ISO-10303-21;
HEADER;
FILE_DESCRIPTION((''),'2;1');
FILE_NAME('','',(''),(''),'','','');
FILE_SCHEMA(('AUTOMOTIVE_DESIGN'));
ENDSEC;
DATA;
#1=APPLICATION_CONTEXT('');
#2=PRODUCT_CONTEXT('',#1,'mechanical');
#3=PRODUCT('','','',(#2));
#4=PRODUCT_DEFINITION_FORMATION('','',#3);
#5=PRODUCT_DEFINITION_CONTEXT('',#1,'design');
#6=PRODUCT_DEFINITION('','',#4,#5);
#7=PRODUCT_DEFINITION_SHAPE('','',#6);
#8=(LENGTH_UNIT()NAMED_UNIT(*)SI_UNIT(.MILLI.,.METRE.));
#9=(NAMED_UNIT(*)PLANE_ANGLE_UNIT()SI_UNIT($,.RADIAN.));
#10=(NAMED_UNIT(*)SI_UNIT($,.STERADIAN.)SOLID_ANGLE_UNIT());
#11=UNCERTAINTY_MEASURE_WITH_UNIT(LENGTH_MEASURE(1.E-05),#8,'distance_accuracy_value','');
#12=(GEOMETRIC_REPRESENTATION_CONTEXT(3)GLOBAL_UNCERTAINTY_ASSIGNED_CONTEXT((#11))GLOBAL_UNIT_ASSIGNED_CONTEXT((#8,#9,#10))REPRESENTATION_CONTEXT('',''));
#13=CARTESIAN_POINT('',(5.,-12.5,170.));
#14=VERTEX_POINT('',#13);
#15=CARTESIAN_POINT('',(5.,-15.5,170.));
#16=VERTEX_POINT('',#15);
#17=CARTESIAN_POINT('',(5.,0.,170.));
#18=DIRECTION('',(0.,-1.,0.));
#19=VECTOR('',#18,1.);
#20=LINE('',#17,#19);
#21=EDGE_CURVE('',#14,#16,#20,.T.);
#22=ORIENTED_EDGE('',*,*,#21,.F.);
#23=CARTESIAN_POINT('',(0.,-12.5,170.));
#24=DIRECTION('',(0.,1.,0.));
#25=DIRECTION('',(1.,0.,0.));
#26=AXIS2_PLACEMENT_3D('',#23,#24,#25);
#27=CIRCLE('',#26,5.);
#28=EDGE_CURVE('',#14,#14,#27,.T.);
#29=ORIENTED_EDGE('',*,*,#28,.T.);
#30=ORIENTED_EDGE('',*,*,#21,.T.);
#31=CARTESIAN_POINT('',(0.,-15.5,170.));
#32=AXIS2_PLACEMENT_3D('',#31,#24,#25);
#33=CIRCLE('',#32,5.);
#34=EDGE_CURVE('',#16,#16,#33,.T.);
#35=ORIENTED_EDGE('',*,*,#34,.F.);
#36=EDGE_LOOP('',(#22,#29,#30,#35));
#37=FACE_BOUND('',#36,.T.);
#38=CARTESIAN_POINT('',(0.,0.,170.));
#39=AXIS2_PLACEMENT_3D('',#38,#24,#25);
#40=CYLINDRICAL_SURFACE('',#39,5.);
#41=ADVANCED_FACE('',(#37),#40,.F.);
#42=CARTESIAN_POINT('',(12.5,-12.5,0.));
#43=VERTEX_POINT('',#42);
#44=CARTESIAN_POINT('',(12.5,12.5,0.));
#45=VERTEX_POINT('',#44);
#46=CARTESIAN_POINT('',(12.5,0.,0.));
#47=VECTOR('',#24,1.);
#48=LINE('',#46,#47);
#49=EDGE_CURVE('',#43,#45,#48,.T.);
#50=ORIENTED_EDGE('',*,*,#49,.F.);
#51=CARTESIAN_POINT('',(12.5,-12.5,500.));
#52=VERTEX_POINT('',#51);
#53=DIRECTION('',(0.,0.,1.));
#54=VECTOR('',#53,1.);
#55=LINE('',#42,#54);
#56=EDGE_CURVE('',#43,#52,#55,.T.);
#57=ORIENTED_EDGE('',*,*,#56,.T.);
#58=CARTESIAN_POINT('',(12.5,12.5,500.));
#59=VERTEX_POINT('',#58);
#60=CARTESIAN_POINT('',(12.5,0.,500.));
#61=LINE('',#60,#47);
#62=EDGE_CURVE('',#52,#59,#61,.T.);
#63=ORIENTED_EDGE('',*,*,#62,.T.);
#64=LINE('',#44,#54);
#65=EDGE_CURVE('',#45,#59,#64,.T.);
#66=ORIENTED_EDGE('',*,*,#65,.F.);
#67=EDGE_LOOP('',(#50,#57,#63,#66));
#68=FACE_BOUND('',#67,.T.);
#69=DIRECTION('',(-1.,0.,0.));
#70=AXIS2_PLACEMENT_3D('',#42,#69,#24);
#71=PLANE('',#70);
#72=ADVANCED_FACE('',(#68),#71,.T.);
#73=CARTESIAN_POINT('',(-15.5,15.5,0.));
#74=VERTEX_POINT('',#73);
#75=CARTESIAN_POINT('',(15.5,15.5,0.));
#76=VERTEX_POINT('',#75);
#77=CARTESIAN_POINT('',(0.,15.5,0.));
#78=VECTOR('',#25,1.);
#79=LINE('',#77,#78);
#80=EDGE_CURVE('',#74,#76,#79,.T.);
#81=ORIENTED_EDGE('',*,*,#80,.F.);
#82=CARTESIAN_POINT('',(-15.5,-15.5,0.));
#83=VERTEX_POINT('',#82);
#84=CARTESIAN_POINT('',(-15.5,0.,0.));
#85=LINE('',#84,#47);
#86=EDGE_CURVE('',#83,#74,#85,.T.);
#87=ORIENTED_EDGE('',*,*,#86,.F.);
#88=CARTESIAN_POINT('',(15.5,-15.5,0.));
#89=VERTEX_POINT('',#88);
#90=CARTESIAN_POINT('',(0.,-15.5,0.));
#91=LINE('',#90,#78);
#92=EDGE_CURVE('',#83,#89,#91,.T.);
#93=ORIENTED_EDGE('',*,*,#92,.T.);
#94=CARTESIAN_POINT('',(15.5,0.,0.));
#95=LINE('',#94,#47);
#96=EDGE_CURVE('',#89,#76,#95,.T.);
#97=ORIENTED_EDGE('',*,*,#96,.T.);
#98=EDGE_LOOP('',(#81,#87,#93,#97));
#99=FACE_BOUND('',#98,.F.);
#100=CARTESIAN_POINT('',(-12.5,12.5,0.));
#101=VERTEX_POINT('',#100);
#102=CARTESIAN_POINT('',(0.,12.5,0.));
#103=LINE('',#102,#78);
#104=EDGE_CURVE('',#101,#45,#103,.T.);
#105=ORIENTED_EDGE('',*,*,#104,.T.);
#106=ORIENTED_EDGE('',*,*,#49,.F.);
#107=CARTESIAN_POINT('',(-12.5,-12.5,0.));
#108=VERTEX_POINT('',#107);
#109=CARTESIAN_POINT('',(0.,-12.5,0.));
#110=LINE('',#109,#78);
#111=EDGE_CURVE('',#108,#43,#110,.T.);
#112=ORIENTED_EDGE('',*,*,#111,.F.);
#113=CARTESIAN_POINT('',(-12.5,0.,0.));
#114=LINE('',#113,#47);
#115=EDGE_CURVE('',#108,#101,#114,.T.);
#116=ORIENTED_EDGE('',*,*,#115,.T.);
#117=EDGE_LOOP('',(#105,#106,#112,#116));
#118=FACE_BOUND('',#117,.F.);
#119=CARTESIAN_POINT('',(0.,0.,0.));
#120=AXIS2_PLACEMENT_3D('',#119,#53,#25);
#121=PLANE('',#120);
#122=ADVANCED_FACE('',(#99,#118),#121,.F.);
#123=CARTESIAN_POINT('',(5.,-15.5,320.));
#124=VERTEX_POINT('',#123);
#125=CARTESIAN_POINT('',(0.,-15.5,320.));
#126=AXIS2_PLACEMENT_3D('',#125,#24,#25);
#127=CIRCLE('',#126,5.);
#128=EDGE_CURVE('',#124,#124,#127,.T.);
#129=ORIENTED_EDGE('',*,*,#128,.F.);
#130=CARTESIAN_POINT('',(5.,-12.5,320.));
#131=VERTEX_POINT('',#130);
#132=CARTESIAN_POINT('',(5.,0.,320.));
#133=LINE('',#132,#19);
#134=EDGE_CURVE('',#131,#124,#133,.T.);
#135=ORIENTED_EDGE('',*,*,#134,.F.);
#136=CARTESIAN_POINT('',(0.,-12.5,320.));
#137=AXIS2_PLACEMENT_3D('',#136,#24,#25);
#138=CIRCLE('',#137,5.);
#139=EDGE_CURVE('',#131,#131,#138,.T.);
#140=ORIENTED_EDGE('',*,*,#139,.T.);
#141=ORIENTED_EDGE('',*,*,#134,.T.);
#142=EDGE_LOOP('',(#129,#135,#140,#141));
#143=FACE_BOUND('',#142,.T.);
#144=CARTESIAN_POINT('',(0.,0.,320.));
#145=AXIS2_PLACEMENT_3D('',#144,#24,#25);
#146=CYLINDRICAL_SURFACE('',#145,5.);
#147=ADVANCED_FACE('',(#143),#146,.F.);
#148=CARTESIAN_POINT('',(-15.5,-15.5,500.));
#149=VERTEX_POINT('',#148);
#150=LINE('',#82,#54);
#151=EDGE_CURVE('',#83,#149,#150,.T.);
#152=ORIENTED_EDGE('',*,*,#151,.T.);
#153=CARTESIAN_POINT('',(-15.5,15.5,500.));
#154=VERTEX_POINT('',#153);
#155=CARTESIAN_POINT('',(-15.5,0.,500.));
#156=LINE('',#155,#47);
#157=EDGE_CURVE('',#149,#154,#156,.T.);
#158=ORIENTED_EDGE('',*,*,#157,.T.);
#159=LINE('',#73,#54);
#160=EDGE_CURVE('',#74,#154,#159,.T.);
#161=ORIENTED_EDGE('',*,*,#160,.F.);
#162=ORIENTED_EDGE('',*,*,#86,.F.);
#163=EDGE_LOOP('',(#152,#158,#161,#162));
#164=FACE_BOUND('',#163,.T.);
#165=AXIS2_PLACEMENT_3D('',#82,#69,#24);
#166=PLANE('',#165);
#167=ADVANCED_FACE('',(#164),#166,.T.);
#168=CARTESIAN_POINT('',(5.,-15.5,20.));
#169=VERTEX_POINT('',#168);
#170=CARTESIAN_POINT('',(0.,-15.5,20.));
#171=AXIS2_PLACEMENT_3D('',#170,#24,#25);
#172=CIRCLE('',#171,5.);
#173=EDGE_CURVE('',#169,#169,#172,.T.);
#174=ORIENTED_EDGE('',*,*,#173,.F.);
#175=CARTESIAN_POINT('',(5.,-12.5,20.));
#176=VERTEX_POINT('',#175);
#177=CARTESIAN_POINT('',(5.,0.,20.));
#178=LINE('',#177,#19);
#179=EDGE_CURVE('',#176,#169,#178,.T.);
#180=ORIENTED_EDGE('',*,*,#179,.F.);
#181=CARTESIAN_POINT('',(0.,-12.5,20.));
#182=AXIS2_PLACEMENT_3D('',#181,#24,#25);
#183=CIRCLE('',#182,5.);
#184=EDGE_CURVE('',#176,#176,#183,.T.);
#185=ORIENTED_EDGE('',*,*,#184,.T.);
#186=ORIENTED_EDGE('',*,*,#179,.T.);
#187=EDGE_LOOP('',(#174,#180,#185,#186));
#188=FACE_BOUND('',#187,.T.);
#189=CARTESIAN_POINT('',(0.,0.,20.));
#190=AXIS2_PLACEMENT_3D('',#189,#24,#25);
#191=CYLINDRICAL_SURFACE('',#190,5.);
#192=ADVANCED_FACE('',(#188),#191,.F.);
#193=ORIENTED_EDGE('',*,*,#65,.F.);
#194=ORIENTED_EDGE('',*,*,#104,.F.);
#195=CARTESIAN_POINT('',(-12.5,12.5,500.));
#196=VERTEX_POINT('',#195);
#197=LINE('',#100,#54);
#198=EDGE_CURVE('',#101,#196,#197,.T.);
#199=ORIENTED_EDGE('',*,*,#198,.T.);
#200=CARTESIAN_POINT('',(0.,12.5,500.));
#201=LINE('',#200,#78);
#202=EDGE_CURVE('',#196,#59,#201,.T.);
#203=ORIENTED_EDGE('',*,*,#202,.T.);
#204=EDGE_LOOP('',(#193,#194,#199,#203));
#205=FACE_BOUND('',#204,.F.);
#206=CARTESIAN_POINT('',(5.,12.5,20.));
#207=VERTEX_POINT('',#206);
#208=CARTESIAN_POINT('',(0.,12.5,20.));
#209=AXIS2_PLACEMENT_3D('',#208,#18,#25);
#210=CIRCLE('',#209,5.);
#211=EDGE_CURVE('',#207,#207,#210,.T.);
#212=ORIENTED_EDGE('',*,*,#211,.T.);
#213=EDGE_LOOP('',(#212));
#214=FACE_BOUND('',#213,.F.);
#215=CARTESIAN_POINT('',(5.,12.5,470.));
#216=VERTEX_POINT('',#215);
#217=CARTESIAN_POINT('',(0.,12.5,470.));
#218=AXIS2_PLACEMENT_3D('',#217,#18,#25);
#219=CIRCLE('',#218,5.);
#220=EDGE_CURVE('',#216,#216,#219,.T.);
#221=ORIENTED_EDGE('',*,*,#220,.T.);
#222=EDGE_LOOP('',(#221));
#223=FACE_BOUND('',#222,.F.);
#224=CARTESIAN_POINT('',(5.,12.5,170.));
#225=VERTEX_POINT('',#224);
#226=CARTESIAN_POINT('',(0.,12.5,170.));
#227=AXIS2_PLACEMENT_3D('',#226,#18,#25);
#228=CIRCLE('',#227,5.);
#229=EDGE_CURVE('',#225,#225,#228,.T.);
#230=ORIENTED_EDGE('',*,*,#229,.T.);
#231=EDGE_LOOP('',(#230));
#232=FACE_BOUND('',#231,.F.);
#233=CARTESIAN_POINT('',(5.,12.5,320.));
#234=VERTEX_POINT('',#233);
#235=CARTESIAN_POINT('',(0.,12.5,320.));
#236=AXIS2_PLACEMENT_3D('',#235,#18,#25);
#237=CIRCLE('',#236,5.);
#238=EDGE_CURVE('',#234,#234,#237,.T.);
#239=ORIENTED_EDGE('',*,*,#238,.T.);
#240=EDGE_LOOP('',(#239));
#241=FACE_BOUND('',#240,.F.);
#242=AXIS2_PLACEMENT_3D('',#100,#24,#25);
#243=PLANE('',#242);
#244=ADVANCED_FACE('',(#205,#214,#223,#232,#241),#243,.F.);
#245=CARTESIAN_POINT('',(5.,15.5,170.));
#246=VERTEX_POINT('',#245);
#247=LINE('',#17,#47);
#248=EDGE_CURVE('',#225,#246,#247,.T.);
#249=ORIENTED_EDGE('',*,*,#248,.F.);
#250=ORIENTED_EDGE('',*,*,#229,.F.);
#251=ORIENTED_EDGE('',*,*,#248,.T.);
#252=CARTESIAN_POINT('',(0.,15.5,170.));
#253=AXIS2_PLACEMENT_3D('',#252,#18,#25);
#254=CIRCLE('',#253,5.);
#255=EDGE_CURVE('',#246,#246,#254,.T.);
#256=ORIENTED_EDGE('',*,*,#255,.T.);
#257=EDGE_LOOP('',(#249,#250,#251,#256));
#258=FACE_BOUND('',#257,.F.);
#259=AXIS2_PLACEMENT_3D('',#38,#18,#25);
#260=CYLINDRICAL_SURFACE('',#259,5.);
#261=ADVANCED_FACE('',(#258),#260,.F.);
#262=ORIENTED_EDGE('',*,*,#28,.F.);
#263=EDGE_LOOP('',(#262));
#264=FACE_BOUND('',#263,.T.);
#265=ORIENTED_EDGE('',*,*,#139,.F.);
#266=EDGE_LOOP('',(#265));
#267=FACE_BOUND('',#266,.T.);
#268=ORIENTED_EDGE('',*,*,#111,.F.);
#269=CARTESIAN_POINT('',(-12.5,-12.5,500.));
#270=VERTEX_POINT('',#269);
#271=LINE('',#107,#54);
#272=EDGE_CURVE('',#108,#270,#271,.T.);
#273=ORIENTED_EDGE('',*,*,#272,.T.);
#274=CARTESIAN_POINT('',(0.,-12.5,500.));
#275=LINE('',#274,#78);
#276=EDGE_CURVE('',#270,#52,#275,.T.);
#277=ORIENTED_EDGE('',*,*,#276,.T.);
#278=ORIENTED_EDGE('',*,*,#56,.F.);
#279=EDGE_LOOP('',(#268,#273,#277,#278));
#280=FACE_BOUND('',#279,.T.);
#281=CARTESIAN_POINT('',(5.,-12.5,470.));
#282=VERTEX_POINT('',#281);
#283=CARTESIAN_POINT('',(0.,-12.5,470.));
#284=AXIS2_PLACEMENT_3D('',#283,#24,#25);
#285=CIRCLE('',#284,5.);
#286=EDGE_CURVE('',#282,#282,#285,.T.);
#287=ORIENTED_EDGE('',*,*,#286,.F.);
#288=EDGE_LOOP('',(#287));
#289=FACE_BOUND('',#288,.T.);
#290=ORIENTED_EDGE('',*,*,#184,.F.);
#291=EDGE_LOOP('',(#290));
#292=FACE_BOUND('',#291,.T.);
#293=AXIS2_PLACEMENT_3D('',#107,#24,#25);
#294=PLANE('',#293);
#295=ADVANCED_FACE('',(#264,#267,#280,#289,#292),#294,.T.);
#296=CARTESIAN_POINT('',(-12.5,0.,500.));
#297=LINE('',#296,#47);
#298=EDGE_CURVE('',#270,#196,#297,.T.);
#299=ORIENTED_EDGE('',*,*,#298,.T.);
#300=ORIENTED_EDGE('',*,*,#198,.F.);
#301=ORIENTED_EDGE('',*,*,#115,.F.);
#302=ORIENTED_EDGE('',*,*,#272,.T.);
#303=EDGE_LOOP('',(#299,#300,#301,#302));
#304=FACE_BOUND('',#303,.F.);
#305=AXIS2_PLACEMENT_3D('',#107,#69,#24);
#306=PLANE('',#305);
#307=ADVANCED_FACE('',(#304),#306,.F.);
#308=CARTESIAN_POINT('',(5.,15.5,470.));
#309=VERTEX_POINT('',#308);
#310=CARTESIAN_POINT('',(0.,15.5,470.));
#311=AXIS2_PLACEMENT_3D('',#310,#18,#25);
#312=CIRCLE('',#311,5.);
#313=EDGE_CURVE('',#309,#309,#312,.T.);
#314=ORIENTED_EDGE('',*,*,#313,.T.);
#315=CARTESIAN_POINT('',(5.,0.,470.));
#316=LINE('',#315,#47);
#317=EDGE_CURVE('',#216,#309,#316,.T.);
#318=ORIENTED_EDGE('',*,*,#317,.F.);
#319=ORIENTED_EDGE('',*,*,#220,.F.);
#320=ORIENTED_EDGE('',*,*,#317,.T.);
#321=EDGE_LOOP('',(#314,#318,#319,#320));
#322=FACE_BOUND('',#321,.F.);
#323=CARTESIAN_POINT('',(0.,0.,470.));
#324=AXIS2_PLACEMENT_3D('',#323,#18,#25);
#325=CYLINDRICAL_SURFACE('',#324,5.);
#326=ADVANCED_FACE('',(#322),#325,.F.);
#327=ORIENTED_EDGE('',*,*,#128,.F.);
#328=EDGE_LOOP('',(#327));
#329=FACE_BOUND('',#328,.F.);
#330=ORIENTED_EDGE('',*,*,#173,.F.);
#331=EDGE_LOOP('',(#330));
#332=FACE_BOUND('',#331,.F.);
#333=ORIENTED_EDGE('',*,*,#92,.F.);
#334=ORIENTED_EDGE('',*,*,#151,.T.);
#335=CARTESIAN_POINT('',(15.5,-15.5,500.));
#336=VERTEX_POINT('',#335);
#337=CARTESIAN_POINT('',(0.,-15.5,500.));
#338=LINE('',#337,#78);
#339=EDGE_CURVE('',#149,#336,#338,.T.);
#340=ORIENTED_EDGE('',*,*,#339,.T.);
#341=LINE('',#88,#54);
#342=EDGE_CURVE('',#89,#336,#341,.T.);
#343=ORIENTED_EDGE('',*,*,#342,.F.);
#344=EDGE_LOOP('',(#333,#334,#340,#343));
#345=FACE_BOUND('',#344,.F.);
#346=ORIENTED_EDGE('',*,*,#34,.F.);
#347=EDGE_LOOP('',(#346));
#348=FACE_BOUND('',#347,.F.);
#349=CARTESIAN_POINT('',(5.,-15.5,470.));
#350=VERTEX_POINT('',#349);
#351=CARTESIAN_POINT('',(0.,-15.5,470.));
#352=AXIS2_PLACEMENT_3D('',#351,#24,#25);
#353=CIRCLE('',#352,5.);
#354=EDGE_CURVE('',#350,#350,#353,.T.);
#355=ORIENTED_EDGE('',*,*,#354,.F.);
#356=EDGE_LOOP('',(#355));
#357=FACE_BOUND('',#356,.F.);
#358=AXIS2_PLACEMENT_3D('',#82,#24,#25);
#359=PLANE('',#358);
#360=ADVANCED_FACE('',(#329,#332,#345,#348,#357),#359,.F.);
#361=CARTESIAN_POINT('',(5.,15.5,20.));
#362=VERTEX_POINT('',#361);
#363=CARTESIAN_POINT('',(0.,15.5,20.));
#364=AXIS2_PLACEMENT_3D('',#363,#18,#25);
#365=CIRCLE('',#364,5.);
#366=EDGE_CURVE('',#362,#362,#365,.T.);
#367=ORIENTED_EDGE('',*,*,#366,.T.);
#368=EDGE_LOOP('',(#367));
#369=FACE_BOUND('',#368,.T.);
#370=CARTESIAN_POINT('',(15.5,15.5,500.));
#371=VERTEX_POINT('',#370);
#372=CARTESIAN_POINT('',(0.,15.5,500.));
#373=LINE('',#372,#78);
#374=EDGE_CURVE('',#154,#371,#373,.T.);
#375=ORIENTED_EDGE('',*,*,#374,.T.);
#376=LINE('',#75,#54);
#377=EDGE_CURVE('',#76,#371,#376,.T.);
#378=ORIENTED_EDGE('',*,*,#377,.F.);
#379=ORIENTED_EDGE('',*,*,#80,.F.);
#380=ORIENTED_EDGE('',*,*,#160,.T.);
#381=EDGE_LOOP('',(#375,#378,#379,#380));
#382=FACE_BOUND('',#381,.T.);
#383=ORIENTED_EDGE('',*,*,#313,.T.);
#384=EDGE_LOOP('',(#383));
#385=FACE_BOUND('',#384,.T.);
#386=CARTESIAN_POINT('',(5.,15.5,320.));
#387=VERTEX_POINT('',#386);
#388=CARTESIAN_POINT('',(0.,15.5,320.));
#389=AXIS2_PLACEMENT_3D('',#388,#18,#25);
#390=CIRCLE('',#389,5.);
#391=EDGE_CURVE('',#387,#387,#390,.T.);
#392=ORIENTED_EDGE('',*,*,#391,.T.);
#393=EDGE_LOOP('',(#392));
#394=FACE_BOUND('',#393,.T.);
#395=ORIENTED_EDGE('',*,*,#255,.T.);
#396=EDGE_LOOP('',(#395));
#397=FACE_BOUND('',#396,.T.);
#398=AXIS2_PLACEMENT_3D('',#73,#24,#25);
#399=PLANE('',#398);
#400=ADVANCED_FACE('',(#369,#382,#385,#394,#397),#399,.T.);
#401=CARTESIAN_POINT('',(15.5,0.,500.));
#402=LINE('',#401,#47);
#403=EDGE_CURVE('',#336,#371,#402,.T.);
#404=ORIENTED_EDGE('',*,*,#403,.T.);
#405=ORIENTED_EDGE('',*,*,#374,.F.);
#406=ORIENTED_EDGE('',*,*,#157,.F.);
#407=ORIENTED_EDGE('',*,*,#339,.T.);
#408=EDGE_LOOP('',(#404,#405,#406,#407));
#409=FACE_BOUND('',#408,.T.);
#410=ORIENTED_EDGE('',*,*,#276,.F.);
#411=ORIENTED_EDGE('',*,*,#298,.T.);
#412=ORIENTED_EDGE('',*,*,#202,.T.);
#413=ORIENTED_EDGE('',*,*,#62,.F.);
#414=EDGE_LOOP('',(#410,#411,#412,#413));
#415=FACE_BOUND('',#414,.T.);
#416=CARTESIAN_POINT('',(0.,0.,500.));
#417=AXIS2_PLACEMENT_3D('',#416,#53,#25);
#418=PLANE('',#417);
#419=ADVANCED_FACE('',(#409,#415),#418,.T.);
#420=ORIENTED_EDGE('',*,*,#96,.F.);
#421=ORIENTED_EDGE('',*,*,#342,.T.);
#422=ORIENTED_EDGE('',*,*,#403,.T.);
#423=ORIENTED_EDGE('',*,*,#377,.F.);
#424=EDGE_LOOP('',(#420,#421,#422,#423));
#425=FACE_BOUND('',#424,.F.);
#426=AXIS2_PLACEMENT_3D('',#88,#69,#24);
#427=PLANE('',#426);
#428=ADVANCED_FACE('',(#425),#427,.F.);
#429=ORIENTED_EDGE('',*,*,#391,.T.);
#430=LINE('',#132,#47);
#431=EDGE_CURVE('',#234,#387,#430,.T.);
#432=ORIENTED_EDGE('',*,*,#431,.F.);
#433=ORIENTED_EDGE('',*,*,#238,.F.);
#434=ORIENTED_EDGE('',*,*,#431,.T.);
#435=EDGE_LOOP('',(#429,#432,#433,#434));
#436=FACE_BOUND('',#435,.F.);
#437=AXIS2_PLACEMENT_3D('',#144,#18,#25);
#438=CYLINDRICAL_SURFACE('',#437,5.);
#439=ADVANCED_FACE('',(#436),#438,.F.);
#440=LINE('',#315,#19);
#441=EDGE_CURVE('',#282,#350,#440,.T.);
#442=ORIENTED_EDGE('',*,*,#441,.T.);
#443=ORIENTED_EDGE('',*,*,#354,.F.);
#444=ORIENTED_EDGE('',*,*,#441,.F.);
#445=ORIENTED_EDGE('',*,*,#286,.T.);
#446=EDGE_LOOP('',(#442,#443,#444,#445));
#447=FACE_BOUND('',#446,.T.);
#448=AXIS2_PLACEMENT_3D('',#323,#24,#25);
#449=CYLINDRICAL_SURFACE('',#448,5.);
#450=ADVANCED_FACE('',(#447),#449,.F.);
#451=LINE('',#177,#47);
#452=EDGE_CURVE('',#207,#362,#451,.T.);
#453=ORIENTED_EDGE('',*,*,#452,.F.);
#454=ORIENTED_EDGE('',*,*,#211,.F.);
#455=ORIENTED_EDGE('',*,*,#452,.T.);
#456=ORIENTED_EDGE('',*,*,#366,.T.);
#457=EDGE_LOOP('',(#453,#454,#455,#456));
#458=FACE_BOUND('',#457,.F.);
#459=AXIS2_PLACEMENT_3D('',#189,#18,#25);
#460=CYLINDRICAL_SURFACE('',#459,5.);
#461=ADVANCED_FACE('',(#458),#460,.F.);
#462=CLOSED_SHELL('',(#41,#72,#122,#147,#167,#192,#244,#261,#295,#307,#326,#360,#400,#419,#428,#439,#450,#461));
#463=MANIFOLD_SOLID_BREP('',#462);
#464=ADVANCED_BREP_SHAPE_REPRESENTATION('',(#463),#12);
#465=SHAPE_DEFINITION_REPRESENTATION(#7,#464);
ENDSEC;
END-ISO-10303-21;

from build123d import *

# Parameters (mm, degrees)
F0_W          = 31
F0_H          = 31
F0_W_2        = 25
F0_H_2        = 25
F1_DEPTH      = 500
F2_R          = 5
F3_DEPTH      = 15.501
F3_DEPTH_BACK = 15.501


with BuildPart() as f1:
    # F0 (on Top) → F1 (new body)
    with BuildSketch(Plane.XY):
        Rectangle(F0_W, F0_H)
        Rectangle(F0_W_2, F0_H_2, mode=Mode.SUBTRACT)
    extrude(amount=F1_DEPTH)

    # F2 (on Front) → F3 (cut, two sides)
    with BuildSketch(Plane.XZ) as f3_sk:
        with Locations((0, 470)):
            Circle(F2_R)
        with Locations((0, 320)):
            Circle(F2_R)
        with Locations((0, 170)):
            Circle(F2_R)
        with Locations((0, 20)):
            Circle(F2_R)
    extrude(amount=F3_DEPTH, mode=Mode.SUBTRACT)
    extrude(f3_sk.sketch, amount=-F3_DEPTH_BACK, mode=Mode.SUBTRACT)


solid = f1.part
